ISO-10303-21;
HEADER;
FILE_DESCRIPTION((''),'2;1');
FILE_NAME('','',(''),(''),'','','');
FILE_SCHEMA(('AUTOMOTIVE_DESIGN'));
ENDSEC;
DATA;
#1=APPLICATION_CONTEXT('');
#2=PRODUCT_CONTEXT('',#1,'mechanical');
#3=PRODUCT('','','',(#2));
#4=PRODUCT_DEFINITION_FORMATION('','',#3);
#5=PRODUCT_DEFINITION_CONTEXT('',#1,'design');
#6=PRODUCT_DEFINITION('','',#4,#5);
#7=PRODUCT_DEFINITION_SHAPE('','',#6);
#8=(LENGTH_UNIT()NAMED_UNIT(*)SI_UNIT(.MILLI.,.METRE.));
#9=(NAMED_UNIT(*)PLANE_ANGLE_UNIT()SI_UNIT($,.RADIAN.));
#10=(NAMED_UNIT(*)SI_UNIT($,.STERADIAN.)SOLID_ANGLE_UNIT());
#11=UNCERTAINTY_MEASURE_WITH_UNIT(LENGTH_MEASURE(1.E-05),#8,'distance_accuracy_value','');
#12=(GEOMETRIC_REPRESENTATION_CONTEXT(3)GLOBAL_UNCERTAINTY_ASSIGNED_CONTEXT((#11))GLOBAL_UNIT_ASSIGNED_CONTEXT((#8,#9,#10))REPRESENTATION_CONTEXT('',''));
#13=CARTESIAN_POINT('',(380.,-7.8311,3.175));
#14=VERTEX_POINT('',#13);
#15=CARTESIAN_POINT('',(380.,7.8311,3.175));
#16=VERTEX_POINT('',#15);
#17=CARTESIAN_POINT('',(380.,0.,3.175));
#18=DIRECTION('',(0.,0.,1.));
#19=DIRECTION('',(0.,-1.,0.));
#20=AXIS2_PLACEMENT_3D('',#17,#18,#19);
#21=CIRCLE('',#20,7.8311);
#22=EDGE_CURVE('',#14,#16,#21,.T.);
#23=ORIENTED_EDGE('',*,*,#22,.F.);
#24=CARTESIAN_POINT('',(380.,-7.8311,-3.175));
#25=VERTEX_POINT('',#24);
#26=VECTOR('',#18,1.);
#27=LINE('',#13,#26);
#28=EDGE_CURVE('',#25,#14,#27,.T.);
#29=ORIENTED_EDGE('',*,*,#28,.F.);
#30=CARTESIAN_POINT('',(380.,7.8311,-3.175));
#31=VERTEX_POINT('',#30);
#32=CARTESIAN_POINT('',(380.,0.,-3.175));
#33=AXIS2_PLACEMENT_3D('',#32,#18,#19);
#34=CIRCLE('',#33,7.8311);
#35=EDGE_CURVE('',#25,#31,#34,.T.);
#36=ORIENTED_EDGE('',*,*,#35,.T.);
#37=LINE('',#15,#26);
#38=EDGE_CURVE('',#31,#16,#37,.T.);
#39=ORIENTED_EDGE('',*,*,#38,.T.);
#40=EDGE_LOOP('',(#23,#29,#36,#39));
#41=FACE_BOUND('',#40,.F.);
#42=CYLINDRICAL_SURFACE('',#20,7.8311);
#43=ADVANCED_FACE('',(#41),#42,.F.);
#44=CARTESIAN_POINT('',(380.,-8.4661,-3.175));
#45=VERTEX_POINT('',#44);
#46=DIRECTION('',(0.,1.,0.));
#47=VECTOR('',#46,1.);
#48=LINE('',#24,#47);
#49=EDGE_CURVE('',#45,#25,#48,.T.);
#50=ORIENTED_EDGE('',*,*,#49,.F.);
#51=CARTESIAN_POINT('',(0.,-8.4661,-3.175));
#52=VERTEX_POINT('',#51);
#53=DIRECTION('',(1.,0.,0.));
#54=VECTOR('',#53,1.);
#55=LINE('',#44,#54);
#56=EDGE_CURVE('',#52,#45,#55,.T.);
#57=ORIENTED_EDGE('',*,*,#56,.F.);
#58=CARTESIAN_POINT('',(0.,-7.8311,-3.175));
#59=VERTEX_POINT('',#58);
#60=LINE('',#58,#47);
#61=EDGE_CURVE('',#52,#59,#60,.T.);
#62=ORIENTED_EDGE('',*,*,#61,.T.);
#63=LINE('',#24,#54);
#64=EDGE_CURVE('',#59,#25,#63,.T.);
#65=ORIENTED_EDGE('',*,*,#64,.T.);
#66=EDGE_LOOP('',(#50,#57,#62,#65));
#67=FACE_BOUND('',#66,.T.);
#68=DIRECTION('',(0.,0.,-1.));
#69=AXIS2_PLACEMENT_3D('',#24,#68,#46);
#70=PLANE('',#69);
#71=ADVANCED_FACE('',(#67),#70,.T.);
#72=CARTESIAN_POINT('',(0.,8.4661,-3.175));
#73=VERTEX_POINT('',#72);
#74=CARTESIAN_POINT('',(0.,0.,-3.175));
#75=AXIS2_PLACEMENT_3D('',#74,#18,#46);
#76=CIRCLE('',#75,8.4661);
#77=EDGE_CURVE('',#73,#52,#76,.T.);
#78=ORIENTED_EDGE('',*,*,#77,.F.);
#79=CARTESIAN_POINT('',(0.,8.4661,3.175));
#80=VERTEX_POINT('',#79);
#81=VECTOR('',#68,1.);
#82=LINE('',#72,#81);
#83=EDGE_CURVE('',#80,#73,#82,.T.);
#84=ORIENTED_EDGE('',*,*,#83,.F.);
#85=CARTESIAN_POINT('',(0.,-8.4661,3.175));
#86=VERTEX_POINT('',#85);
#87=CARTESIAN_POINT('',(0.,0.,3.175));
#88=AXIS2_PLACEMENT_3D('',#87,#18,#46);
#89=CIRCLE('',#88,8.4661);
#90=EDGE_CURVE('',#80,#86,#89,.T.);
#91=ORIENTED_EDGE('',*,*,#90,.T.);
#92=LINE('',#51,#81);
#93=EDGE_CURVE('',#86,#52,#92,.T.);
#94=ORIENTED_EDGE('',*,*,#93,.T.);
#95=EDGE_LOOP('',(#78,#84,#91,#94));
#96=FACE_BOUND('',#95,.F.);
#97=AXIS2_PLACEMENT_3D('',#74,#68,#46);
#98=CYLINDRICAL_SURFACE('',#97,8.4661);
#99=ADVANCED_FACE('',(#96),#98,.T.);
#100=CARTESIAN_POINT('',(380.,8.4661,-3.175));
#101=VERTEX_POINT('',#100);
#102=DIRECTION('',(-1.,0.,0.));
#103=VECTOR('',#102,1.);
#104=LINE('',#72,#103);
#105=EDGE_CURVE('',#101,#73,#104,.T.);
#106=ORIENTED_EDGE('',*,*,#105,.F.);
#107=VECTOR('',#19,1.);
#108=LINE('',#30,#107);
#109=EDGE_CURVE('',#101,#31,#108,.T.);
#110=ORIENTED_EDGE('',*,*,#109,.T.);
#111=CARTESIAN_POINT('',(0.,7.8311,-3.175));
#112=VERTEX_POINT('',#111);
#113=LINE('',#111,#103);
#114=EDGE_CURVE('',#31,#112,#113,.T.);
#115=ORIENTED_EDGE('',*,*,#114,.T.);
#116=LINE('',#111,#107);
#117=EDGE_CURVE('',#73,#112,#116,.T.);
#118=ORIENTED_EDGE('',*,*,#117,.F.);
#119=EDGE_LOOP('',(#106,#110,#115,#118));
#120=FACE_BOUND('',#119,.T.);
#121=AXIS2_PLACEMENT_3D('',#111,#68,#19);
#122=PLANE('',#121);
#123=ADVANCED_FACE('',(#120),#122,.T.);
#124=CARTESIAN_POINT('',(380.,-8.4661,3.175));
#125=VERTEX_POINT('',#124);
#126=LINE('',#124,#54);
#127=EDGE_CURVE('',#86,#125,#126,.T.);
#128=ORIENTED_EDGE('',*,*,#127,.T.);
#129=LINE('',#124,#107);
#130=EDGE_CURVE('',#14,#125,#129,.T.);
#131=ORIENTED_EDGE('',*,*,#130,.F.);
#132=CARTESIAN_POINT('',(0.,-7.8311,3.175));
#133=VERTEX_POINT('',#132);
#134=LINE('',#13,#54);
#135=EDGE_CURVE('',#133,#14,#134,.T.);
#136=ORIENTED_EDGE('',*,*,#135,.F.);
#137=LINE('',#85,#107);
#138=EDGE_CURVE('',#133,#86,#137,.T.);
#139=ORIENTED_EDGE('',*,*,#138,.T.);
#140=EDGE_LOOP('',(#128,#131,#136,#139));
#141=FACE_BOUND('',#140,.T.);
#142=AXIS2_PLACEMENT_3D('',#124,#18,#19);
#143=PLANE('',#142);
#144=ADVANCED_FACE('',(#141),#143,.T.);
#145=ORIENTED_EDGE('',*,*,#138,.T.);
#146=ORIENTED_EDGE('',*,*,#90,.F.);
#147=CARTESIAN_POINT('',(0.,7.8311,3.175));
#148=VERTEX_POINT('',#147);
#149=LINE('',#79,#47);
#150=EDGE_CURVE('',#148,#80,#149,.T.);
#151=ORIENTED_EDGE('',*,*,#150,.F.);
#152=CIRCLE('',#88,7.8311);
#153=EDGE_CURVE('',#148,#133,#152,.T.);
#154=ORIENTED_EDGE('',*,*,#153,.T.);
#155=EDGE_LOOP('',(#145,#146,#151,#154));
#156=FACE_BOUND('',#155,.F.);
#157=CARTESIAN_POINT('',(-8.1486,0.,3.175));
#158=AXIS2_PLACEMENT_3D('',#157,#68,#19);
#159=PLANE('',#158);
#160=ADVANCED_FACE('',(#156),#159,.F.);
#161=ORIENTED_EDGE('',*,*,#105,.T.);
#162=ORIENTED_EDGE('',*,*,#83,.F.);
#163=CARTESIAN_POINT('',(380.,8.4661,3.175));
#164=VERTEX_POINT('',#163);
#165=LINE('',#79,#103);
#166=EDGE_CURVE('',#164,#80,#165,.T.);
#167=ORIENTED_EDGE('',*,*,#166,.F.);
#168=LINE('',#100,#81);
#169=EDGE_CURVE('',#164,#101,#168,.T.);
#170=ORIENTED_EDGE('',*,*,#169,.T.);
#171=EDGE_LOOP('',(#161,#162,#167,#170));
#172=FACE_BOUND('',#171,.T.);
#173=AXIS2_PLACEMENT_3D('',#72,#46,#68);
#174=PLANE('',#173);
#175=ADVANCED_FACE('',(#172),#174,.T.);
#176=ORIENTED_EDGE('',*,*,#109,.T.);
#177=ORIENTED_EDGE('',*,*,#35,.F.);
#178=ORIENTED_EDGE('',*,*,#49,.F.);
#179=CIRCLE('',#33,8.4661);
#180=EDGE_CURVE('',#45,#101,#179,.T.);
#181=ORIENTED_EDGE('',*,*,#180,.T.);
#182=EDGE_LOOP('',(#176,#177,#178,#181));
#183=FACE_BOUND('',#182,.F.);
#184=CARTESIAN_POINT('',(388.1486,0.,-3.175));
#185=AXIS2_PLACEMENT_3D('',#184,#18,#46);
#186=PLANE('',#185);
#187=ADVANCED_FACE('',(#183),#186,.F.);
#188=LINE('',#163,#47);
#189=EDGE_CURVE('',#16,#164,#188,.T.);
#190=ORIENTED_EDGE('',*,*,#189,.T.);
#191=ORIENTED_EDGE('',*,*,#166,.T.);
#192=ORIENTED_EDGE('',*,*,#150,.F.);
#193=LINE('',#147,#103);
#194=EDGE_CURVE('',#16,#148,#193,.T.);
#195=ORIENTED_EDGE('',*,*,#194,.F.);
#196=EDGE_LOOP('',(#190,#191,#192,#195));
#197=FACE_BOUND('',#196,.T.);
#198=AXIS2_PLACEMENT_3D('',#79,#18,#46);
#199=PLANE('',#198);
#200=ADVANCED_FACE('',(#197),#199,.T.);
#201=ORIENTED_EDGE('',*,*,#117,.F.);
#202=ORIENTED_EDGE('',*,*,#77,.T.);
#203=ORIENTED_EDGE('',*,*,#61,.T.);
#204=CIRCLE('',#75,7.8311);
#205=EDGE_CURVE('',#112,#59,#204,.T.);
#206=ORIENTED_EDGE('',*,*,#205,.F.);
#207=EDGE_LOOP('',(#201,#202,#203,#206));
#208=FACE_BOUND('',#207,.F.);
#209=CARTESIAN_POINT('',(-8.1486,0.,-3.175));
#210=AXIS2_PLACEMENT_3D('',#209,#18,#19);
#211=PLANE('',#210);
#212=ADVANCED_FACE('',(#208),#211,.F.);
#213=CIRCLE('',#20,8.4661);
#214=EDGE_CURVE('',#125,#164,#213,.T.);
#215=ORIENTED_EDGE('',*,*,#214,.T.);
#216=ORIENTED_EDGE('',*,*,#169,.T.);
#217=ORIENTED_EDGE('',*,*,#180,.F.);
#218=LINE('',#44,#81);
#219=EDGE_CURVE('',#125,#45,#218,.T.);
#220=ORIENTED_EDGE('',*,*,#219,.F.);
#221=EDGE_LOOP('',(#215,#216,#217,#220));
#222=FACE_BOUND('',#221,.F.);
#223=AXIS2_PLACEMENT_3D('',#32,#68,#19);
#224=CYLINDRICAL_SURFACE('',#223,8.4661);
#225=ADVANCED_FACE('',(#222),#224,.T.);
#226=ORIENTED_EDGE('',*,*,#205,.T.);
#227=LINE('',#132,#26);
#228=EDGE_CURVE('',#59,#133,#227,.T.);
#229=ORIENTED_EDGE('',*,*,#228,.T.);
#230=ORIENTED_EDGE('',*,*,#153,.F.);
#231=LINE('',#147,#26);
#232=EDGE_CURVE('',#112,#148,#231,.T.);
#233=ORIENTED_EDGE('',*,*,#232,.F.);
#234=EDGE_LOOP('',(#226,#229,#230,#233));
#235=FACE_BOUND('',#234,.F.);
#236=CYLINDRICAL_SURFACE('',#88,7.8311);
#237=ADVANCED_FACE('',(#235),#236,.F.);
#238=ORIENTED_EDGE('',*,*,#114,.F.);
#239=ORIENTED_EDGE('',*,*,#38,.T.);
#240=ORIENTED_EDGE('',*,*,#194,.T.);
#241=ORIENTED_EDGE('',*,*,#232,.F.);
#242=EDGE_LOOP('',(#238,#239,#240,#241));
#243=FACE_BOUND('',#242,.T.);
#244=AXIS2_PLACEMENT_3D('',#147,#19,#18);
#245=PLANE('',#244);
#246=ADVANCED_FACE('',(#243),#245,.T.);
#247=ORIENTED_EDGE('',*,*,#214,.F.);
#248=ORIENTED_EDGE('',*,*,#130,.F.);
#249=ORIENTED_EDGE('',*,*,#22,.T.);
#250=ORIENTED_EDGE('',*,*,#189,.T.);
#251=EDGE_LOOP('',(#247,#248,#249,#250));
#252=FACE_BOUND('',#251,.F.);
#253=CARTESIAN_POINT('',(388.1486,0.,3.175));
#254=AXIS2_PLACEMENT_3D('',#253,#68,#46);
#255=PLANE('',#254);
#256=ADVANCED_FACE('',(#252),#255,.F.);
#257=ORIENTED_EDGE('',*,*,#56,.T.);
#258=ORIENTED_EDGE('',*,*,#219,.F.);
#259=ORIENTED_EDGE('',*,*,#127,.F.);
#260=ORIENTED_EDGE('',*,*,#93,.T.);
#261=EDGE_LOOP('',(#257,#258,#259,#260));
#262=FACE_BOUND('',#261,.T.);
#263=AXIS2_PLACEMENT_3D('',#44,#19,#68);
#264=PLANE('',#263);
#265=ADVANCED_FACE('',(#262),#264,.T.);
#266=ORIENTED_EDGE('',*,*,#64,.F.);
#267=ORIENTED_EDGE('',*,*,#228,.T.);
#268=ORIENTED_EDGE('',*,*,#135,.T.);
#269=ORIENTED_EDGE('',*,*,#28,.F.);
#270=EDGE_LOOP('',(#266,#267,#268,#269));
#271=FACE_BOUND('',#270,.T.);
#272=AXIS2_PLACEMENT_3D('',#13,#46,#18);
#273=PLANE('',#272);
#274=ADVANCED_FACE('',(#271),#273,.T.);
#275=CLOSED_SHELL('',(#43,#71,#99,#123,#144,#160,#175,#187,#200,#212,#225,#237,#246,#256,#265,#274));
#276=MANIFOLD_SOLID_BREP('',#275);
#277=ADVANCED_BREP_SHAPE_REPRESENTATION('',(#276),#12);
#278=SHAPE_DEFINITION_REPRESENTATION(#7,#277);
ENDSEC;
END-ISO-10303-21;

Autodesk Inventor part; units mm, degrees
sketch "Sketch Path" plane through (0, 0, 0) normal (0, 0, 1) x (1, 0, 0)
  arc A0 (0, 8.0851) -> (0, -8.0851) centre (0, 0) ccw
  arc A1 (380, -8.0851) -> (380, 8.0851) centre (380, 0) ccw
  line L0 (380, -8.0851) -> (0, -8.0851)
  line L1 (0, 8.0851) -> (380, 8.0851)
ref_plane "Cross Section Plane" through (0, -8.0851, 0) normal (1, 0, 0) x (0, 0, 1)
ref_plane "Work Plane2" through (0, 0, 0) normal (-1, 0, 0) x (0, 0, 1)
ref_plane "Work Plane3" through (380, 0, 0) normal (-0.9691, 0.2468, 0) x (0, 0, 1)
sketch "Cross Section" plane through (0, -8.0851, 0) normal (1, 0, 0) x (0, 0, 1)
  line L0 (-3.175, 0.381) -> (3.175, 0.381)
  line L1 (3.175, 0.381) -> (3.175, -0.254)
  line L2 (3.175, -0.254) -> (-3.175, -0.254)
  line L3 (-3.175, -0.254) -> (-3.175, 0.381)
  line L4 (-3.175, 0) -> (3.175, 0) construction
  point P0 (0, 0)
  point P1 (0, 0)
  dimension "d0" = 6.35
  dimension "d4" = 0.254
  dimension "d5" = 0.381
sweep "Belt" add profiles "Cross Section" path "Sketch Path"
equation "\"d0\" = da_B"
equation "\"d4\" = da_a"
equation "\"d5\" = da_a2"
equation "\"da_B\" = 6.35"
equation "\"da_pb\" = 2.032"
equation "\"da_L\" = 810.8"
equation "\"da_a\" = 0.254"
equation "\"da_S\" = 1.143"
equation "\"da_Beta\" = 20deg"
equation "\"da_Ht\" = 0.508"
equation "\"da_H\" = 1.143"
equation "\"da_a2\" = 0.381"
properties part number "Synchronous Belt" material "Rubber"
